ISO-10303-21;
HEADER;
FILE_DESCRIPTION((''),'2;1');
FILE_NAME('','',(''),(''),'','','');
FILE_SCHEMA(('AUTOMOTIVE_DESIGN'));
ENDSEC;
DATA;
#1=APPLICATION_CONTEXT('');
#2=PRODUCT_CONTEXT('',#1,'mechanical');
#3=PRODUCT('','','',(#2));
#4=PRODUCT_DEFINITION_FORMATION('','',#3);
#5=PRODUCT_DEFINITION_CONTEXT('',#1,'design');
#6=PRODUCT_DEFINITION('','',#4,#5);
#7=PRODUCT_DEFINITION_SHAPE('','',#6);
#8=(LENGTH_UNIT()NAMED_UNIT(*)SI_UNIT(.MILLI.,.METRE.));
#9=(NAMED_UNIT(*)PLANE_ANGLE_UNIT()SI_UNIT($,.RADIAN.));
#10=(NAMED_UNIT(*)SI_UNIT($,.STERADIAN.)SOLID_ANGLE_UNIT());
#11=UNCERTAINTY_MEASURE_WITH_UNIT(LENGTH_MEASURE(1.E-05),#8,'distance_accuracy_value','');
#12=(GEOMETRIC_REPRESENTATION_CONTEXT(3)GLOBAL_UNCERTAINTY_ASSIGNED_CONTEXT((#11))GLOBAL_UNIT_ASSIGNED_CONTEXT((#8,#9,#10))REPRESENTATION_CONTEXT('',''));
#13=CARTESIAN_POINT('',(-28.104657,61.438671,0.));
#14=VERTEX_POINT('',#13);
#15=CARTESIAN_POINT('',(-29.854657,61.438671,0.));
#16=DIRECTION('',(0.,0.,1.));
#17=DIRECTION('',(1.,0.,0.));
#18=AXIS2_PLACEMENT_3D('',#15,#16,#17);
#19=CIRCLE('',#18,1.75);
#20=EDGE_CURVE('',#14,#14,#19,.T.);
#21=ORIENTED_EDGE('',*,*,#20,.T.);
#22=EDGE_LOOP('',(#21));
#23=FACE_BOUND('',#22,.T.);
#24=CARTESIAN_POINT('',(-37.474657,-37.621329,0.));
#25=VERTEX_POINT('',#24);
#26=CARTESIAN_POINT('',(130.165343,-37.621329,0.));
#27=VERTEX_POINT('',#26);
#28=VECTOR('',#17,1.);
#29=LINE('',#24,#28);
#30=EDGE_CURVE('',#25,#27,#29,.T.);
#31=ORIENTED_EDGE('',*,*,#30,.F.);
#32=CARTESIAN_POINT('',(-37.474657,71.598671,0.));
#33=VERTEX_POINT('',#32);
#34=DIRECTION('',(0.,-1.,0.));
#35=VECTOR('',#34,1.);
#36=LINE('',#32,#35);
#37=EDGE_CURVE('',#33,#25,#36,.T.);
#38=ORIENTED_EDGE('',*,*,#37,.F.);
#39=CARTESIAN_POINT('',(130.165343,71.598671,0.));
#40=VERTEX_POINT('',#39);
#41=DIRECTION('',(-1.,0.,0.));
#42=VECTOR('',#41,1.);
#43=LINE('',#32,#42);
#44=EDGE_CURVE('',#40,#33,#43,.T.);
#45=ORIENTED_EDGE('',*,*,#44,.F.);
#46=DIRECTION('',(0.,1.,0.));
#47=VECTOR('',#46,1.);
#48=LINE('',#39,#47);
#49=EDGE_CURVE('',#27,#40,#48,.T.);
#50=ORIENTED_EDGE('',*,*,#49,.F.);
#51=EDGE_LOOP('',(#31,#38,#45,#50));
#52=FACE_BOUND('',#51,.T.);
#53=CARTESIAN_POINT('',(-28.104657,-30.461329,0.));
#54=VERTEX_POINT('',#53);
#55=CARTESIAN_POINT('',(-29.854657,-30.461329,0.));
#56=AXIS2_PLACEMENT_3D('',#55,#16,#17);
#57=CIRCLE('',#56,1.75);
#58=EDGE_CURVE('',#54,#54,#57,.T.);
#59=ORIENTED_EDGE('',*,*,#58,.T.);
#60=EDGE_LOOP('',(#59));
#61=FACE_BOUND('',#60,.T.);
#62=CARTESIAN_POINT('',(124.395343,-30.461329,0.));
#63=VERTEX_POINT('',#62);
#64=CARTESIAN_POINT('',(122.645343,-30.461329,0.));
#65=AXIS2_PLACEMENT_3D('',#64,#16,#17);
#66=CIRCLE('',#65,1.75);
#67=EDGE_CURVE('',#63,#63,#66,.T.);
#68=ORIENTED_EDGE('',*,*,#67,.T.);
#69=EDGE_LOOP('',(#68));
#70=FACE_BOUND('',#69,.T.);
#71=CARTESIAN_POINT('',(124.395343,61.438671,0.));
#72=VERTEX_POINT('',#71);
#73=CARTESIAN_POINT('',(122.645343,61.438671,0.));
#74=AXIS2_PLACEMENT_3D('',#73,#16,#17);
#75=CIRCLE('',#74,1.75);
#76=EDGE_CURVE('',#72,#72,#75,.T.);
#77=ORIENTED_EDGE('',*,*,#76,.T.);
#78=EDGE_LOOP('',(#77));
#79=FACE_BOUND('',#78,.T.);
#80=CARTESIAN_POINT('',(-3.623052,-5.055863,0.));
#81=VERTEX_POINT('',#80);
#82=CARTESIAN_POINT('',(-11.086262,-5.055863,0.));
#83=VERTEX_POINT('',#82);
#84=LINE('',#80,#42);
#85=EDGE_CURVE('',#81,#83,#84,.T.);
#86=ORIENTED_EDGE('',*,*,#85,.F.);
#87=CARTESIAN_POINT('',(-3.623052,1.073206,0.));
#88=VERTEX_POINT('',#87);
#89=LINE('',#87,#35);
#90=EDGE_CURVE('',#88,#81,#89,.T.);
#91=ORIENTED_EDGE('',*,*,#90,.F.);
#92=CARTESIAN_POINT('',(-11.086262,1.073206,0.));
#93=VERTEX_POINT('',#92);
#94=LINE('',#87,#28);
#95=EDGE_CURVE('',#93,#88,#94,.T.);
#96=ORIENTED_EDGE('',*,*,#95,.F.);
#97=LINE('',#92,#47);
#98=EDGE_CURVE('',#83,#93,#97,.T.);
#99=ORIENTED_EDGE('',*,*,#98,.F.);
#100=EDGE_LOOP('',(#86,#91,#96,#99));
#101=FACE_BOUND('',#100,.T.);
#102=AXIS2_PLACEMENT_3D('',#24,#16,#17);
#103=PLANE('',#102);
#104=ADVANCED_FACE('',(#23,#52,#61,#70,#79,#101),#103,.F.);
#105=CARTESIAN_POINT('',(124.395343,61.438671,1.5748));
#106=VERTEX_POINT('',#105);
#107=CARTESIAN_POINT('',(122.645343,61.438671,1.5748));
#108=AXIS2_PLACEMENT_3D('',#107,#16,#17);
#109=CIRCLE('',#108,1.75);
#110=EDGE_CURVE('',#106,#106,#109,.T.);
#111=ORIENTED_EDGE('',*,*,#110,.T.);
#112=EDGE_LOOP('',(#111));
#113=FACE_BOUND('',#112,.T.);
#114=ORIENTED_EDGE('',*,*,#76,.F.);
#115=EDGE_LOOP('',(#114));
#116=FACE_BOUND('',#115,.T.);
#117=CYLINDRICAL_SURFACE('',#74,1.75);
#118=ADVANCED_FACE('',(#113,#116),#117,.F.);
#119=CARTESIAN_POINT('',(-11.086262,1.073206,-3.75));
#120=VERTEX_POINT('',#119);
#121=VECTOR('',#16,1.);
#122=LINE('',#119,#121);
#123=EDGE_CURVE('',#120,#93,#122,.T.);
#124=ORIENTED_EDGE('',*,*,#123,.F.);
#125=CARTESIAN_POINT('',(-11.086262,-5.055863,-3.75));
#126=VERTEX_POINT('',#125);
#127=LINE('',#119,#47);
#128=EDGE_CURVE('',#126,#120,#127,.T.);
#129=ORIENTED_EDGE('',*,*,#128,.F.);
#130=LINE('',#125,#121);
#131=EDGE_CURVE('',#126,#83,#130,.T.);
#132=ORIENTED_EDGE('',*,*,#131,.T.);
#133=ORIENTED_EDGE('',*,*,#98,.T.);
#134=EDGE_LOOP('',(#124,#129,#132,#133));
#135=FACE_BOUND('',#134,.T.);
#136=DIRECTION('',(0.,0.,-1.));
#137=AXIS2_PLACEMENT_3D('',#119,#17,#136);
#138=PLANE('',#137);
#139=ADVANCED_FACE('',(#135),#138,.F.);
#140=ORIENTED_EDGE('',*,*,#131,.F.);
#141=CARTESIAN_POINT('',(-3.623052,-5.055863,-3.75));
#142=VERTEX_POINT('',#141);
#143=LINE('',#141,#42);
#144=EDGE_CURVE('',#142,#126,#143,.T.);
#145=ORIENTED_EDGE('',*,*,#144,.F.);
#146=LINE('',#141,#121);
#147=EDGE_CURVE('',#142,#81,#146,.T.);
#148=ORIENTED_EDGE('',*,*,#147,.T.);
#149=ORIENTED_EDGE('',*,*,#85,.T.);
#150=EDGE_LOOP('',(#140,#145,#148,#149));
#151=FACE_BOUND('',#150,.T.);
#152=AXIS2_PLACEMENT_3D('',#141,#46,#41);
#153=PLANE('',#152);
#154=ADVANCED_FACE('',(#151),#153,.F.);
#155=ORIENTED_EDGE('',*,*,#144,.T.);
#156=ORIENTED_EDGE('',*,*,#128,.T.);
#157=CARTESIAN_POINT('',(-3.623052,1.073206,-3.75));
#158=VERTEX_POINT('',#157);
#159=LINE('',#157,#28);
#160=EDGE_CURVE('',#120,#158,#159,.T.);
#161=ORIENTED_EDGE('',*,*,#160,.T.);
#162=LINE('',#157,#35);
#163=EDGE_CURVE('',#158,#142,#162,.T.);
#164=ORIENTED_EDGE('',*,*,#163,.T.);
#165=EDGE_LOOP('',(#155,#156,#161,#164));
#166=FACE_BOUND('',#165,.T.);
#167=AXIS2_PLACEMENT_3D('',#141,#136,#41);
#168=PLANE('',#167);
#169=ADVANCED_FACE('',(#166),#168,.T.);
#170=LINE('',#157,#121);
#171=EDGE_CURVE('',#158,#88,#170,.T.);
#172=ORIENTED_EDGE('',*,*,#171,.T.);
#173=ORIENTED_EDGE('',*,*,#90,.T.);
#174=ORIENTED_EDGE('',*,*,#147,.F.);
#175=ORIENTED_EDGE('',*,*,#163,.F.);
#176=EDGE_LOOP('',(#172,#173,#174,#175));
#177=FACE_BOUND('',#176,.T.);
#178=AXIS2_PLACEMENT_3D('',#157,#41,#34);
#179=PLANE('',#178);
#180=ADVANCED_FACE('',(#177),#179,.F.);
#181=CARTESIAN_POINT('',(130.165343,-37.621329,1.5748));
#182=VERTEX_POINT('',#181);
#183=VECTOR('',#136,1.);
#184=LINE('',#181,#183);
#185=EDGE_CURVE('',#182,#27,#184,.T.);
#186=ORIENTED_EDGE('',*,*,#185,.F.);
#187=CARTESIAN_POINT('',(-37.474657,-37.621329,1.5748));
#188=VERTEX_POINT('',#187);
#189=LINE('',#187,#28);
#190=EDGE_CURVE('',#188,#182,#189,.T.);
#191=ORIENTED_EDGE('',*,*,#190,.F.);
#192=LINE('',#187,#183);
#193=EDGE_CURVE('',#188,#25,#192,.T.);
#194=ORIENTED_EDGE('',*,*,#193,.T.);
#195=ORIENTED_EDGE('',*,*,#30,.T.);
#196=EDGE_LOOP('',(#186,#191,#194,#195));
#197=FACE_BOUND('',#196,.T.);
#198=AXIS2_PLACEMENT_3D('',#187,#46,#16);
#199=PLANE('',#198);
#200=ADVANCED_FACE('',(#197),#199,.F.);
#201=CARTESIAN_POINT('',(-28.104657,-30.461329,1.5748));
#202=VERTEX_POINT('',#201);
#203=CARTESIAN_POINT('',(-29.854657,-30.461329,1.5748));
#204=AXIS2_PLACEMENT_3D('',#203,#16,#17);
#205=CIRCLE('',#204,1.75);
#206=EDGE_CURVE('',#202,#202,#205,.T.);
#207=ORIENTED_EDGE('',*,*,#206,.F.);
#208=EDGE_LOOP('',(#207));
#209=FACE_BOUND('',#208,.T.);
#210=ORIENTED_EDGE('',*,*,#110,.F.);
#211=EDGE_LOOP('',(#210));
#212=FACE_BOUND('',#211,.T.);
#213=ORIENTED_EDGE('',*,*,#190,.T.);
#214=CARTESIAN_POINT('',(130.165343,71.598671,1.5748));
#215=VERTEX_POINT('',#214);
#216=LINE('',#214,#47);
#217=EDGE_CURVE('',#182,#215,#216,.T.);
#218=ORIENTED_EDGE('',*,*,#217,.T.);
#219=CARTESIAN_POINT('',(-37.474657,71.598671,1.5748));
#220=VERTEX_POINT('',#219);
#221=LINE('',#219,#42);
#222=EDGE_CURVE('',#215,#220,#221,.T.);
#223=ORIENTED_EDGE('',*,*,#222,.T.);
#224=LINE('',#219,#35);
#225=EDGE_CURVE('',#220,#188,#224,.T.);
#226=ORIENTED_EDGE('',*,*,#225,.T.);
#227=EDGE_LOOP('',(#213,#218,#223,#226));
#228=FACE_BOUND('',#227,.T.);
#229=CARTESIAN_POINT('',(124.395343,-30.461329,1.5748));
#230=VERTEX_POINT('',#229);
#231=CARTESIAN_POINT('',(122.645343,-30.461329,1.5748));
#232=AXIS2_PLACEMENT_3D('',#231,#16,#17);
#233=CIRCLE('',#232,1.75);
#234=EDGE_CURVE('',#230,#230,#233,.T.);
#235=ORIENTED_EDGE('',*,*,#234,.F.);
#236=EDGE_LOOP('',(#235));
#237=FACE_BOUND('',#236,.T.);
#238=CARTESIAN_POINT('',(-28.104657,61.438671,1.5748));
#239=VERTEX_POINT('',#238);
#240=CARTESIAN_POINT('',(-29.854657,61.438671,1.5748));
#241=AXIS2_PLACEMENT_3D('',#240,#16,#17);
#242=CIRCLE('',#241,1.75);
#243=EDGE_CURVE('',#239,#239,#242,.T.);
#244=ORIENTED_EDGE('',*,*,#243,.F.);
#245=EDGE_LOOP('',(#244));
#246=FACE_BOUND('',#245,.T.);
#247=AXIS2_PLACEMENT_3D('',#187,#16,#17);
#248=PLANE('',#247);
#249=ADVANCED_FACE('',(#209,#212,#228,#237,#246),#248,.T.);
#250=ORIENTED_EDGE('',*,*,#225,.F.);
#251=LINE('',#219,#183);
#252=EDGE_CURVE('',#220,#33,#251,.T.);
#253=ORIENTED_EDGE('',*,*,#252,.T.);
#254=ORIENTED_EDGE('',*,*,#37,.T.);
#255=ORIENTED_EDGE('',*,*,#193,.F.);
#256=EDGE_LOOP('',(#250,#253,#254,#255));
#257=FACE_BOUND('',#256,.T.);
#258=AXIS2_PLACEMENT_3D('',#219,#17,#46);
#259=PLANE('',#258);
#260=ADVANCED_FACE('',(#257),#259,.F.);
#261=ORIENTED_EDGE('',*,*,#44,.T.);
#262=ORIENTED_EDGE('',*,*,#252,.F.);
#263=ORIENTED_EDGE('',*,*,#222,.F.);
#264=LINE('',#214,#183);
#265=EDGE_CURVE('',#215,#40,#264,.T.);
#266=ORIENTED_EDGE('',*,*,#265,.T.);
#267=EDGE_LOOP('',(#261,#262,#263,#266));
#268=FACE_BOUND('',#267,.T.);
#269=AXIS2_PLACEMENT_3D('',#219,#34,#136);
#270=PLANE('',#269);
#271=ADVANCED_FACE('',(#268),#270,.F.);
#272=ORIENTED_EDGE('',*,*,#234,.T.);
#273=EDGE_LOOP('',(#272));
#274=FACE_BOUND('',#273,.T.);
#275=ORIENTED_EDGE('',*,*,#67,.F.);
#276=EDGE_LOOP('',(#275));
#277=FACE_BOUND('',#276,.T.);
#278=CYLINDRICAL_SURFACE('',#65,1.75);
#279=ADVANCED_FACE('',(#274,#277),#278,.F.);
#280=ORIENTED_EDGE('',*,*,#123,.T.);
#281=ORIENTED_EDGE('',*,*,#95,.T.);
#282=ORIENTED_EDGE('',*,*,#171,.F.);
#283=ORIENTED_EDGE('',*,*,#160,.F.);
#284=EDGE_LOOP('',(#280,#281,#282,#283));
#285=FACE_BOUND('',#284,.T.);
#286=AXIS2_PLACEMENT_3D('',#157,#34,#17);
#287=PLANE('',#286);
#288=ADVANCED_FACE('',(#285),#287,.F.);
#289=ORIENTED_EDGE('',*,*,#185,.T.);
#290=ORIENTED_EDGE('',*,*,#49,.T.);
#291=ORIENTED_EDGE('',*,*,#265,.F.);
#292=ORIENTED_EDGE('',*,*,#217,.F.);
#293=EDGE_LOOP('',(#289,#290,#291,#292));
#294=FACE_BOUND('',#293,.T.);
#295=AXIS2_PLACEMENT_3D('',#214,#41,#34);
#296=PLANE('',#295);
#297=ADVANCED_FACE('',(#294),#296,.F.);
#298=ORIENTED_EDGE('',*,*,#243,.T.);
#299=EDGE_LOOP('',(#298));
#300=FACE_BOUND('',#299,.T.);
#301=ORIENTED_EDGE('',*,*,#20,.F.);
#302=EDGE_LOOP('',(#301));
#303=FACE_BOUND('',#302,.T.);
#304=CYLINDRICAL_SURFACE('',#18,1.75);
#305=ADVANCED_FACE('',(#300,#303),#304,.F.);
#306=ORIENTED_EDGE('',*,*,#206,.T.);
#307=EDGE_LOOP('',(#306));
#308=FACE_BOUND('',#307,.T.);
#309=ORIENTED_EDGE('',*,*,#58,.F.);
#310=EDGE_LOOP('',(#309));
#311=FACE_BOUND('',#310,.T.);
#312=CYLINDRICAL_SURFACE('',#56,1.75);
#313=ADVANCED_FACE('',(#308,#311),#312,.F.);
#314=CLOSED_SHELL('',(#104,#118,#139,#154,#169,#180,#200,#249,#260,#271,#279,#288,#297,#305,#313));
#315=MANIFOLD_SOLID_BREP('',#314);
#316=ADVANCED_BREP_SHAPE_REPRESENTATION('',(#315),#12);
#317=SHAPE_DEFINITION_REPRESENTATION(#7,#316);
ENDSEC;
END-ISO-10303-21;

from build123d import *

# Parameters (mm, degrees)
SKETCH1_W            = 167.64
SKETCH1_H            = 109.22
PCB_DEPTH            = 1.5748
SKETCH2_R            = 1.75
MOUNT_HOLE_CUT_DEPTH = 1.5748
LPATTERN1_COUNT      = 2
LPATTERN1_PITCH      = 152.5
LPATTERN1_COUNT_DIR2 = 2
LPATTERN1_PITCH_DIR2 = 91.9
SKETCH3_W            = 7.463209877
SKETCH3_H            = 6.129068463
EXTRUDE1_DEPTH       = 3.75


with BuildPart() as part:
    # Sketch1 → PCB (new body)
    with BuildSketch(Plane.XY):
        with Locations((46.345343175, 16.988671329)):
            Rectangle(SKETCH1_W, SKETCH1_H)
    extrude(amount=PCB_DEPTH)

    # Sketch2 → mount hole cut (cut)
    with BuildSketch(Plane.XY.offset(1.5748)):
        with Locations((-29.854656825, 61.438671329)):
            Circle(SKETCH2_R)
    mount_hole_cut = extrude(amount=-MOUNT_HOLE_CUT_DEPTH, mode=Mode.SUBTRACT)

    # LPattern1: mount hole cut 2 × 2
    with Locations(*[(i * LPATTERN1_PITCH, -j * LPATTERN1_PITCH_DIR2, 0) for i in range(LPATTERN1_COUNT) for j in range(LPATTERN1_COUNT_DIR2) if (i, j) != (0, 0)]):
        add(mount_hole_cut, mode=Mode.SUBTRACT)

    # Sketch3 → Extrude1 (add)
    with BuildSketch(Plane(origin=(0, 0, 0), x_dir=(-1, 0, 0), z_dir=(0, 0, -1))):
        with Locations((7.354656825, -1.991328672)):
            Rectangle(SKETCH3_W, SKETCH3_H)
    extrude(amount=EXTRUDE1_DEPTH)


solid = part.part
